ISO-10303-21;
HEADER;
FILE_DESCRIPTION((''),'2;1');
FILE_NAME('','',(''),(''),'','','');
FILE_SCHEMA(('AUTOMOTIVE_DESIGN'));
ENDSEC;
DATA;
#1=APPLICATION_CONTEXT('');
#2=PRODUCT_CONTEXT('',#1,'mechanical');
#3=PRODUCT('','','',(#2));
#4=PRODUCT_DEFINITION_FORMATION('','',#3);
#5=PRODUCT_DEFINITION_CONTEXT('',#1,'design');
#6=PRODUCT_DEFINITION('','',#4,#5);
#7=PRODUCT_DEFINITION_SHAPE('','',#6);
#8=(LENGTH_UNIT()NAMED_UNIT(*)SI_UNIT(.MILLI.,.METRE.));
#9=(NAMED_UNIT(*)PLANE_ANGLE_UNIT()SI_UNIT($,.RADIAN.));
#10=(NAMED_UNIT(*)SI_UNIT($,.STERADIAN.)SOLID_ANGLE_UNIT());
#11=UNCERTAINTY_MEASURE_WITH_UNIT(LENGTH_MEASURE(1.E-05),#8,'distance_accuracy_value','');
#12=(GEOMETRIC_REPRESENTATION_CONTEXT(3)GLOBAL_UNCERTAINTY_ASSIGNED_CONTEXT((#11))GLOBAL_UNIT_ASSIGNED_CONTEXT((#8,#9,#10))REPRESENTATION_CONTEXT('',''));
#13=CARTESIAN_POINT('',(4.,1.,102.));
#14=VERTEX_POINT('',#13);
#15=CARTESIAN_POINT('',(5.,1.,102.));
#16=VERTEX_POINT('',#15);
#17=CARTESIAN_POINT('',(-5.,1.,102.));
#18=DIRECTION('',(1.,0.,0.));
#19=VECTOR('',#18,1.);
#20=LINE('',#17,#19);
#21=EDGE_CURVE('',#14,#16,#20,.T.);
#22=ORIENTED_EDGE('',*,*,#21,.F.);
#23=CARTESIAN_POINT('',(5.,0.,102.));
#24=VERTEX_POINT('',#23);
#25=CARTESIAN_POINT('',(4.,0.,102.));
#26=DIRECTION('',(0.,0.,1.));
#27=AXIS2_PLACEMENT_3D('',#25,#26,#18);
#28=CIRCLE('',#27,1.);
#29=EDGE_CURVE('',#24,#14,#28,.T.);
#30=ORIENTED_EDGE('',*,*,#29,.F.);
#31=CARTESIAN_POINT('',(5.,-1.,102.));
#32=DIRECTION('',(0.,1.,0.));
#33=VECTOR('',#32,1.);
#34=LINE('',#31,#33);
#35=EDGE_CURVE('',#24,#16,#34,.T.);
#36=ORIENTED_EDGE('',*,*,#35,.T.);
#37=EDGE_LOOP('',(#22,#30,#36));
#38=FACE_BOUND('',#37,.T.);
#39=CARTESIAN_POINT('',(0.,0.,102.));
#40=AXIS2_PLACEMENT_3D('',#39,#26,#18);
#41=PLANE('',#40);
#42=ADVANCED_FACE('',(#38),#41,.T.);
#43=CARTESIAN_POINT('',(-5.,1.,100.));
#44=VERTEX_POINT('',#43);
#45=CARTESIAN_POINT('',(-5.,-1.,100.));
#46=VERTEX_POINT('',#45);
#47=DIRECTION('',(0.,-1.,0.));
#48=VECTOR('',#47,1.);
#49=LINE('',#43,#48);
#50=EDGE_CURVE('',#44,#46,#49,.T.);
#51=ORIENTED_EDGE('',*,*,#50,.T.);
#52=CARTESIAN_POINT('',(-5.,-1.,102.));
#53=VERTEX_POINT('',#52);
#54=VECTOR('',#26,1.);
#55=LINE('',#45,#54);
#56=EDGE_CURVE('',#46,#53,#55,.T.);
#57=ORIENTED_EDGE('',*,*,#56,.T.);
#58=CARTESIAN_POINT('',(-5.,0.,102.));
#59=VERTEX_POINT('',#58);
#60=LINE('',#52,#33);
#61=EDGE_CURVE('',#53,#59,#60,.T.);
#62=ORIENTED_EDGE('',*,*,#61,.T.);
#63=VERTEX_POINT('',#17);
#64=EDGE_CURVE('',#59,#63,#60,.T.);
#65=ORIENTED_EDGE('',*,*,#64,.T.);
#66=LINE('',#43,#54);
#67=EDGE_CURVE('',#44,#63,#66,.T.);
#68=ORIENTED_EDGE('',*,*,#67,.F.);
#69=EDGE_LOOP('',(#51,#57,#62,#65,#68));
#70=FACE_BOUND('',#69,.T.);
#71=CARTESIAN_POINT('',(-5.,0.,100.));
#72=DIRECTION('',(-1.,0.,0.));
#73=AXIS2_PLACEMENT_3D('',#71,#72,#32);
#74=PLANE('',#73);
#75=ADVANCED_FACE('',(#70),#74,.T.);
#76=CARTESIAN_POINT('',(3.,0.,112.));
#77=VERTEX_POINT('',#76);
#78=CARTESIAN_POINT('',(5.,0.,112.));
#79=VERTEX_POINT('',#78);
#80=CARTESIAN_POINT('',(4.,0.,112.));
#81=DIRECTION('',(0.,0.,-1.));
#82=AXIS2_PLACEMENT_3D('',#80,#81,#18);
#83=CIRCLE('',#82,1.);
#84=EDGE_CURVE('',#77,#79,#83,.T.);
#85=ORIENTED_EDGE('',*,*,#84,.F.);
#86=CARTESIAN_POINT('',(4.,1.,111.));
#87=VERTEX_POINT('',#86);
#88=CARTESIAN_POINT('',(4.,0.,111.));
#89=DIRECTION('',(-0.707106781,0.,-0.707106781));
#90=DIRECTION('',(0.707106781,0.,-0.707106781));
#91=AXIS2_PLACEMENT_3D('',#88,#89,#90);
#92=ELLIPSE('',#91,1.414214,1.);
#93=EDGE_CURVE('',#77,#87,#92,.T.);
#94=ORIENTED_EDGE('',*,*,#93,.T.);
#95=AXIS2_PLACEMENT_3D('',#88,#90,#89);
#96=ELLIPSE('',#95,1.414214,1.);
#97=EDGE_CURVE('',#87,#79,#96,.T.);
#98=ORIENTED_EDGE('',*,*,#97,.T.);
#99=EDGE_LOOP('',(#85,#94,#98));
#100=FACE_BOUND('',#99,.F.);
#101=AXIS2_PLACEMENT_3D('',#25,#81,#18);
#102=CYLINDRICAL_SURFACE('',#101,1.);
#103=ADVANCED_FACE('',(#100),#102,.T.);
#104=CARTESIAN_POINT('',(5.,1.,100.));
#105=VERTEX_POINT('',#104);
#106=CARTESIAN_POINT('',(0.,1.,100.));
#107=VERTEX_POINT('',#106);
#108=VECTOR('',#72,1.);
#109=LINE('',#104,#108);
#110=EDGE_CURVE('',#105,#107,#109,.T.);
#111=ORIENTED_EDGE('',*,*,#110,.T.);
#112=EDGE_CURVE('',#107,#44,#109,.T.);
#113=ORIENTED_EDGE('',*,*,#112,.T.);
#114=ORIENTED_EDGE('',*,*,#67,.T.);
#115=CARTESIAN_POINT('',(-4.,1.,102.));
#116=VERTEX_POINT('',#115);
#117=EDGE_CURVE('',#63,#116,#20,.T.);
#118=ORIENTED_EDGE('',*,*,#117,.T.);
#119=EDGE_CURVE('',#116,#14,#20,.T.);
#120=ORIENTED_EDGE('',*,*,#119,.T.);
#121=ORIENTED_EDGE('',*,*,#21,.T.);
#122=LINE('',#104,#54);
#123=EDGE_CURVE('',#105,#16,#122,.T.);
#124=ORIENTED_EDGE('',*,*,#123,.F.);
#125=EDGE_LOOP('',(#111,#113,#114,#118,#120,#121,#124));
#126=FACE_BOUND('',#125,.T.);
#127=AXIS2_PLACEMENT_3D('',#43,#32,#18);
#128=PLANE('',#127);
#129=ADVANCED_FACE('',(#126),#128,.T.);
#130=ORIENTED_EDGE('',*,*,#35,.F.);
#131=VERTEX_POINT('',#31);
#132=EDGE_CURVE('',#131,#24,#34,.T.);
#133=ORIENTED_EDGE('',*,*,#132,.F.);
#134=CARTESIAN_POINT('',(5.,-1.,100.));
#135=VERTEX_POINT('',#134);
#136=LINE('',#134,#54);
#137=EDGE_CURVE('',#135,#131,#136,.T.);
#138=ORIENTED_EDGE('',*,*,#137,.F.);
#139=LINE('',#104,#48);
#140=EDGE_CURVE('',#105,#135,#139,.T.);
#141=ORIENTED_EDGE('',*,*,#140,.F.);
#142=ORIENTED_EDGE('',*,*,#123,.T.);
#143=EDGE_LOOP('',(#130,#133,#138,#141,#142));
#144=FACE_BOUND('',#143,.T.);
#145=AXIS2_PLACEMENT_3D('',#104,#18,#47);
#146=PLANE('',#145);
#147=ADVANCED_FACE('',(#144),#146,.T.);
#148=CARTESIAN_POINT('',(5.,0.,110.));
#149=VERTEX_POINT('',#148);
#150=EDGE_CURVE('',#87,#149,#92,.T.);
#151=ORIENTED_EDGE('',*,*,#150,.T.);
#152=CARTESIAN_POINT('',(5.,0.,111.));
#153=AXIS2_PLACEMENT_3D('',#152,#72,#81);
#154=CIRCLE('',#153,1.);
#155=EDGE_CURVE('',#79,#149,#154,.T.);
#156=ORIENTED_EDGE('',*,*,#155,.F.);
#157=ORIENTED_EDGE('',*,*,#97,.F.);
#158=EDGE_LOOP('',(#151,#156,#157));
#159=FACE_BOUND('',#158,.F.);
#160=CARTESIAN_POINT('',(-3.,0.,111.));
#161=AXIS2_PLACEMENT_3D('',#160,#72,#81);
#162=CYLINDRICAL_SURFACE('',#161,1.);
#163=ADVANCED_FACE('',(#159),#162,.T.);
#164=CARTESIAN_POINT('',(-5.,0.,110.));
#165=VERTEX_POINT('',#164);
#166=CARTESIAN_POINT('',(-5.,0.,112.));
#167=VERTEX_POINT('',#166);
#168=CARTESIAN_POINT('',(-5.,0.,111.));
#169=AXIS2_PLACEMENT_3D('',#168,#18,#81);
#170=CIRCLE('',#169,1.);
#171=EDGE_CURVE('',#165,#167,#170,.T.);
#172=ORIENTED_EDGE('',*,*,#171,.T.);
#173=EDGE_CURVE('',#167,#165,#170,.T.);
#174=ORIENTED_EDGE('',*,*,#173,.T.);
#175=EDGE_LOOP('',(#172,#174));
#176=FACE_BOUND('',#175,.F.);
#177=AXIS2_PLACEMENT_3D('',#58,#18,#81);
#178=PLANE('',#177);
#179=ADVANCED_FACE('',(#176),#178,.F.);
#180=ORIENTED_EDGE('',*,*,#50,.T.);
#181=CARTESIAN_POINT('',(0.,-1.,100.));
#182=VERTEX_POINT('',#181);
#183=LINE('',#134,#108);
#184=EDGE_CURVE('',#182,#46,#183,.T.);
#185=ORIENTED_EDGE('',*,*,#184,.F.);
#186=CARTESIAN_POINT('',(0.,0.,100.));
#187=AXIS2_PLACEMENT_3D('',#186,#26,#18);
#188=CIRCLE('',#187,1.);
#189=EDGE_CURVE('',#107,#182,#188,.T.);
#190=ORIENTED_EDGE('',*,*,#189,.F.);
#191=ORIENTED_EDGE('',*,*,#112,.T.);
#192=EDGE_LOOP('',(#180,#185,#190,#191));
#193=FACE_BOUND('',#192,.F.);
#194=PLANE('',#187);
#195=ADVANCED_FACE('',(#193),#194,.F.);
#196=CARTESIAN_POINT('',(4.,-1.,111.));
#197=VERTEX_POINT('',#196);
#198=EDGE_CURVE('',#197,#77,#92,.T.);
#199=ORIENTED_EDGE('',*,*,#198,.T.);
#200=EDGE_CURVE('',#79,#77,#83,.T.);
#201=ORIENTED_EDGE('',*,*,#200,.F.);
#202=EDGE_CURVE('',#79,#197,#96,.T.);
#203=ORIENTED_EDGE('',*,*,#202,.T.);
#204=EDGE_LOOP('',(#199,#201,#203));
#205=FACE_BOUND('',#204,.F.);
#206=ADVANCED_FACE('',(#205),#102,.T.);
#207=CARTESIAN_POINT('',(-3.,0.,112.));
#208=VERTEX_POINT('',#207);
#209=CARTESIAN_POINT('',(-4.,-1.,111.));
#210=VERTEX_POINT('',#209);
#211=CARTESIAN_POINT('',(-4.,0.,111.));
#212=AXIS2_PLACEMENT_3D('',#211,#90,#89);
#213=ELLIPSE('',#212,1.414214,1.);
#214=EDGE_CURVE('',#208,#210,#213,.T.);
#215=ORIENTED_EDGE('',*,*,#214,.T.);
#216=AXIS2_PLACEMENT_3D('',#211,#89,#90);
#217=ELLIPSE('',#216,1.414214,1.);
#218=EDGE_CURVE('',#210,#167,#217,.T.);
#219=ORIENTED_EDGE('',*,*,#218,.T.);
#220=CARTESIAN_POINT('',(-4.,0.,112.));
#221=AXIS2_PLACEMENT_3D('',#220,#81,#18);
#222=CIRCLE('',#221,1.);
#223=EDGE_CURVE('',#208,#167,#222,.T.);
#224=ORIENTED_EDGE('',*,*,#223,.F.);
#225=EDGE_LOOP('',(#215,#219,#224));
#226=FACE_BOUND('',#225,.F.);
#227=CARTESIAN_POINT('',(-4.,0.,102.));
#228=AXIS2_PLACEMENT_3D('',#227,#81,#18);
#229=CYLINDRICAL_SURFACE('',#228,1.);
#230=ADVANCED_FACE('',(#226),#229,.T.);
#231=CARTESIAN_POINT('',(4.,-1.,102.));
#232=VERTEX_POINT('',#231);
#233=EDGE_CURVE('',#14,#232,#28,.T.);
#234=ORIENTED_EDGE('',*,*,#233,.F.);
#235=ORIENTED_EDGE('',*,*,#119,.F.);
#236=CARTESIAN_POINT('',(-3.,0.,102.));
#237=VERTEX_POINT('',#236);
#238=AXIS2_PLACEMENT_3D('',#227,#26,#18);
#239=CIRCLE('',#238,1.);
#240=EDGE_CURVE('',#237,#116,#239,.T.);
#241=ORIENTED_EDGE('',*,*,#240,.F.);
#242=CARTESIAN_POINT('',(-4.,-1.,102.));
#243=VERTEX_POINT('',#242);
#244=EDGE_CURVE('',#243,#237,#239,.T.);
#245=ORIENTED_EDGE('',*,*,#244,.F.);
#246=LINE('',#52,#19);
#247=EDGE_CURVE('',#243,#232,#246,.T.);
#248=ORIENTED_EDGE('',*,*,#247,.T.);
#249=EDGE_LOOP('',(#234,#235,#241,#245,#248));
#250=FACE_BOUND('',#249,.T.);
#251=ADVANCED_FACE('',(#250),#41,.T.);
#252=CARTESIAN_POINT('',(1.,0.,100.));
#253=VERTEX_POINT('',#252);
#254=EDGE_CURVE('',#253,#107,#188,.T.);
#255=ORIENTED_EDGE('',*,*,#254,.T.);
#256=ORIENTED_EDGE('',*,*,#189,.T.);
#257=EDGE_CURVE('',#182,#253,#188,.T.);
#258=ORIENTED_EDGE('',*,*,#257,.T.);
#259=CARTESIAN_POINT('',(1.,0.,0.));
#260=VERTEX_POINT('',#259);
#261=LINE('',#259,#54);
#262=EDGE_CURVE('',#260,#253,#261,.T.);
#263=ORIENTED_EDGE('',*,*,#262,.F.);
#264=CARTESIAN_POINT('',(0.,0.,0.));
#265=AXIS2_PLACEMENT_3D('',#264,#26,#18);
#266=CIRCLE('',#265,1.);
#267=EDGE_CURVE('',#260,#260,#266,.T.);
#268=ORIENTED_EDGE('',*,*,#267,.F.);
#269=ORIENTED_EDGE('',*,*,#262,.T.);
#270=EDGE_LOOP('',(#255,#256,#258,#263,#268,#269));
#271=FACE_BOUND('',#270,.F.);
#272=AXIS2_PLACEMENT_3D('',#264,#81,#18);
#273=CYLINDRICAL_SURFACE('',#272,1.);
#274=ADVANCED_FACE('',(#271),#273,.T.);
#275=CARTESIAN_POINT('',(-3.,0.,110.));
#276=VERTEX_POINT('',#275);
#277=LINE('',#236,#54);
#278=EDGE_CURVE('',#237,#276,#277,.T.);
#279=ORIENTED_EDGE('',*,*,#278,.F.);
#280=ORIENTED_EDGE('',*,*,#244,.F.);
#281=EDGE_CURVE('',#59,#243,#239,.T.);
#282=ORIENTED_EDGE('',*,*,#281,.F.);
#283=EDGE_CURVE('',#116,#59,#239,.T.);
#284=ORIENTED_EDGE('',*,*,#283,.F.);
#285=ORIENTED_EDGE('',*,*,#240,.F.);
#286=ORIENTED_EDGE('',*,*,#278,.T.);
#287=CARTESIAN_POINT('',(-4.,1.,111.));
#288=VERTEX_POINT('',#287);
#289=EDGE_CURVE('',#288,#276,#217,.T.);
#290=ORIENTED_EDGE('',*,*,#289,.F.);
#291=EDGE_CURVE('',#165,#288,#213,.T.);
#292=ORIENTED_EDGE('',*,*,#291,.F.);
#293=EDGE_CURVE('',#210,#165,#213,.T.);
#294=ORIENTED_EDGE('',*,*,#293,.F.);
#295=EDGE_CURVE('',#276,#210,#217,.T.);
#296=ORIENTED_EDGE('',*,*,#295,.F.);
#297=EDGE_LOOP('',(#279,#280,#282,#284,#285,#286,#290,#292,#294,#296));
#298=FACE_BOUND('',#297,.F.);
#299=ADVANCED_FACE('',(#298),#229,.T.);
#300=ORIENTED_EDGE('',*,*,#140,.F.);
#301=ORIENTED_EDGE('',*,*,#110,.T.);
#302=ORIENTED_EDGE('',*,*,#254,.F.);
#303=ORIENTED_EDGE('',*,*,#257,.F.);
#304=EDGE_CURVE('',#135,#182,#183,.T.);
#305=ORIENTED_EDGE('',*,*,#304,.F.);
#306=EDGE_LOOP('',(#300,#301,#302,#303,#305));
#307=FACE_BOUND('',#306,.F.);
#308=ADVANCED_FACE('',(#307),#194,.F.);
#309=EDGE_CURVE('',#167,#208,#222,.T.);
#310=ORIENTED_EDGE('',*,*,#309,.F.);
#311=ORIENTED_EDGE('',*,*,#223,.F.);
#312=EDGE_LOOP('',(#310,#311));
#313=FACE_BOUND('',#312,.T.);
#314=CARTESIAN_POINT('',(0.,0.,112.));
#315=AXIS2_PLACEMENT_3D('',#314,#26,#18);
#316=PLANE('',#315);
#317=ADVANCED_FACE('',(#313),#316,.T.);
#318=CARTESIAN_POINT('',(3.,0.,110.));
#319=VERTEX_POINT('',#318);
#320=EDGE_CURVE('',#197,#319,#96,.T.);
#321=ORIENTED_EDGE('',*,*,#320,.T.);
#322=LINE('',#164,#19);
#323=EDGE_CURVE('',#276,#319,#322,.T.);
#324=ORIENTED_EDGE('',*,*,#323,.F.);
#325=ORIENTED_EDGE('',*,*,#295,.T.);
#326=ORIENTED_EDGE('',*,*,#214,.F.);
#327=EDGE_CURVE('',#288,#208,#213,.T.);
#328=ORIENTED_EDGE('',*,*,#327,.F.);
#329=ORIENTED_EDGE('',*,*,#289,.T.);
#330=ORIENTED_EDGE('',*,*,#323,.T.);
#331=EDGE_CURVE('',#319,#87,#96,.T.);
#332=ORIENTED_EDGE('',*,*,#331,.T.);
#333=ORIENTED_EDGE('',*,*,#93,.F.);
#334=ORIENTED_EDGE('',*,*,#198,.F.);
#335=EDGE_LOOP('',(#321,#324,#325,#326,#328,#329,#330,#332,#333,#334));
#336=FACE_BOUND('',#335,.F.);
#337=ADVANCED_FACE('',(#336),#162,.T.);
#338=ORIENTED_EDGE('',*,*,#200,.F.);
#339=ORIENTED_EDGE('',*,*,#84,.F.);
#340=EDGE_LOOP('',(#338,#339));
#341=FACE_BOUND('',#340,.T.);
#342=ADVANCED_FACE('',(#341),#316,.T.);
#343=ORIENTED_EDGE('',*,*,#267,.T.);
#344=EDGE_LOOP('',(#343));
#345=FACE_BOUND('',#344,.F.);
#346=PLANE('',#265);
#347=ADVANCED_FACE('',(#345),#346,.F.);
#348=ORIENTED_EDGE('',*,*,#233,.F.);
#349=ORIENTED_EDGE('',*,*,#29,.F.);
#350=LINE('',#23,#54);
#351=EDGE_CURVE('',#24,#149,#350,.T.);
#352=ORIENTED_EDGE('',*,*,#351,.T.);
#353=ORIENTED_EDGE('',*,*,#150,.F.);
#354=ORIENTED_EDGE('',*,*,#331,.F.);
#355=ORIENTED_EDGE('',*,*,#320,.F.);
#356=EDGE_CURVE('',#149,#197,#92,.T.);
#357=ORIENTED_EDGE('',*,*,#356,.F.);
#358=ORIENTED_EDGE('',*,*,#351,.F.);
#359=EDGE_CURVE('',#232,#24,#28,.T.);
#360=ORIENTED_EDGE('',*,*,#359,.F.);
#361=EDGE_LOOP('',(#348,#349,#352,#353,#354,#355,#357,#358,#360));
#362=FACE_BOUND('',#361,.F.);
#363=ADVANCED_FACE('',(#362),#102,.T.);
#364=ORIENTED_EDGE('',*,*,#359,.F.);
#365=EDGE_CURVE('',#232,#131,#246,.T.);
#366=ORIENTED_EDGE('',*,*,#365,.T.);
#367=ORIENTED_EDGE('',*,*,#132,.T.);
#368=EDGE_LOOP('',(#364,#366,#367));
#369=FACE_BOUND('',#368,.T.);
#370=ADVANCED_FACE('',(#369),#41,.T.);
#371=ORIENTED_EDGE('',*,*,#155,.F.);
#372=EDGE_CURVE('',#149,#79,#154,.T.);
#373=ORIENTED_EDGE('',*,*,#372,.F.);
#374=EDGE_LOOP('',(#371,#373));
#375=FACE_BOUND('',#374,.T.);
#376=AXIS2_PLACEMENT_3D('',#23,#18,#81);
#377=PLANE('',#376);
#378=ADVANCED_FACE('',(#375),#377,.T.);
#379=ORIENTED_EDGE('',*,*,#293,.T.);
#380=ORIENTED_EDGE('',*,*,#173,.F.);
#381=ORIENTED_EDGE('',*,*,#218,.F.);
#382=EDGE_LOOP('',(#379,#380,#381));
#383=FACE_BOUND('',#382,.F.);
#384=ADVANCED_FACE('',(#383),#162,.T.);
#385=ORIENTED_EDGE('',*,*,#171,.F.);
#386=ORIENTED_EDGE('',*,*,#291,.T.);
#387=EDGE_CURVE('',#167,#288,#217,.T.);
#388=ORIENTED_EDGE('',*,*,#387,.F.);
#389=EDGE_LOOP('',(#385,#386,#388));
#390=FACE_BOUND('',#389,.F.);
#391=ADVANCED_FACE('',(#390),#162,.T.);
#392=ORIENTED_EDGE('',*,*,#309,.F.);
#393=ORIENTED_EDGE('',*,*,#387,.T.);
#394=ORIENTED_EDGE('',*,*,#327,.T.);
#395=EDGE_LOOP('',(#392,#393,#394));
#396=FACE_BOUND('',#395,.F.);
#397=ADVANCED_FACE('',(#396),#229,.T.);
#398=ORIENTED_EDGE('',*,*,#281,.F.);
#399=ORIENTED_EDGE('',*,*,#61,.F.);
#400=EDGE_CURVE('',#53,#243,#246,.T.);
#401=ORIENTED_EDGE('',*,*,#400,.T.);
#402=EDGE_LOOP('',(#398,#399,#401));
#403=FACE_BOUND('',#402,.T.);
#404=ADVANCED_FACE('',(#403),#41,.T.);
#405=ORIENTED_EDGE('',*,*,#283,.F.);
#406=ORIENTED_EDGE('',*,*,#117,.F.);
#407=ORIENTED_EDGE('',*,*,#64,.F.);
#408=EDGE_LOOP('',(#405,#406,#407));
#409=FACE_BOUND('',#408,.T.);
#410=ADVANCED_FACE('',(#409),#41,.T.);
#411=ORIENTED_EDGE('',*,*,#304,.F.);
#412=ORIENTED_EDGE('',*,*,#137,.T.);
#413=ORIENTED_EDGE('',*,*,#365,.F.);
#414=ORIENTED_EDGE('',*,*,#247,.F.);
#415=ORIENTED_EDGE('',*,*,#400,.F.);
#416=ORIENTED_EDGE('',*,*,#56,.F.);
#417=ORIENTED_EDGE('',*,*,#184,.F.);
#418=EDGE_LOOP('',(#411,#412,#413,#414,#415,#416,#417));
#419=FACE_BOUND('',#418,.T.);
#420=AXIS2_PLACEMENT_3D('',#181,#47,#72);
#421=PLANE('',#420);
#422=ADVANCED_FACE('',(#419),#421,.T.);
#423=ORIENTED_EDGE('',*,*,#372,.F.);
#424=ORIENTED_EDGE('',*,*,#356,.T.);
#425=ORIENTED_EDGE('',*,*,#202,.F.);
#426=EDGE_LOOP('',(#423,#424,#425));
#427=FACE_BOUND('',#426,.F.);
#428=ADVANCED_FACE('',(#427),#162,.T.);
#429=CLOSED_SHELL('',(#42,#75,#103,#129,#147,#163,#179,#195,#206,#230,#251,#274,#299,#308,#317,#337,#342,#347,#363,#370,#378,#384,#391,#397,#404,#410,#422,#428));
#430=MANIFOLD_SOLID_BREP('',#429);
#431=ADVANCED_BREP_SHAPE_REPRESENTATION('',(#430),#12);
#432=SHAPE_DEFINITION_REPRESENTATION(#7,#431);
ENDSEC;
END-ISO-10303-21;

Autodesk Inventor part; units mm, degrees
ref_plane "YZ Plane" through (0, 0, 0) normal (1, 0, 0) x (0, 1, 0)
ref_plane "XZ Plane" through (0, 0, 0) normal (0, 1, 0) x (-1, 0, 0)
sketch "Náčrt1" plane through (0, 0, 0) normal (0, 0, 1) x (1, 0, 0)
  circle A0 centre (0, 0) radius 1
  dimension "d0" = 2
extrude "Vysunutí1" add sketch "Náčrt1" along normal blind 100
sketch "Náčrt2" plane through (0, 0, 100) normal (0, 0, 1) x (1, 0, 0)
  line L0 (-5, 1) -> (5, 1)
  line L1 (5, 1) -> (5, -1)
  line L2 (5, -1) -> (-5, -1)
  line L3 (-5, -1) -> (-5, 1)
  line L4 (-7, 0) -> (7, 0) projected
  line L5 (0, 1.4) -> (0, -1.4) projected
  point P0 (0, 0)
  dimension "d3" = 10
extrude "Vysunutí2" add sketch "Náčrt2" along normal blind 2
sketch "Náčrt3" plane through (0, 0, 102) normal (0, 0, 1) x (1, 0, 0)
  line L0 (-5, -1) -> (5, -1) projected
  line L1 (5, -1) -> (5, 1) projected
  line L2 (5, 1) -> (-5, 1) projected
  line L3 (-5, 1) -> (-5, -1) projected
  circle A0 centre (-4, 0) radius 1
  circle A1 centre (4, 0) radius 1
  point P0 (0, 0)
extrude "Vysunutí3" add sketch "Náčrt3" along normal blind 10 contours A0 | A1
ref_plane "Pracovní rovina1" through (-3, 0, 102) normal (1, 0, 0) x (0, 0, -1)
sketch "Náčrt4" plane through (-3, 0, 102) normal (1, 0, 0) x (0, 0, -1)
  line L0 (-10, 1) -> (-10, -1) projected
  line L1 (0, 1) -> (0, -1) projected
  line L2 (0, 0) -> (0, 1) projected
  line L3 (0, -1) -> (0, 0) projected
  line L4 (0, 1) -> (-10, 1) projected
  line L5 (0, -1) -> (-10, -1) projected
  circle A0 centre (-9, 0) radius 1
  point P0 (102, 0)
extrude "Vysunutí4" add sketch "Náčrt4" along normal blind 8 and the other way blind 2 contours A0
properties part number "táhlo"
